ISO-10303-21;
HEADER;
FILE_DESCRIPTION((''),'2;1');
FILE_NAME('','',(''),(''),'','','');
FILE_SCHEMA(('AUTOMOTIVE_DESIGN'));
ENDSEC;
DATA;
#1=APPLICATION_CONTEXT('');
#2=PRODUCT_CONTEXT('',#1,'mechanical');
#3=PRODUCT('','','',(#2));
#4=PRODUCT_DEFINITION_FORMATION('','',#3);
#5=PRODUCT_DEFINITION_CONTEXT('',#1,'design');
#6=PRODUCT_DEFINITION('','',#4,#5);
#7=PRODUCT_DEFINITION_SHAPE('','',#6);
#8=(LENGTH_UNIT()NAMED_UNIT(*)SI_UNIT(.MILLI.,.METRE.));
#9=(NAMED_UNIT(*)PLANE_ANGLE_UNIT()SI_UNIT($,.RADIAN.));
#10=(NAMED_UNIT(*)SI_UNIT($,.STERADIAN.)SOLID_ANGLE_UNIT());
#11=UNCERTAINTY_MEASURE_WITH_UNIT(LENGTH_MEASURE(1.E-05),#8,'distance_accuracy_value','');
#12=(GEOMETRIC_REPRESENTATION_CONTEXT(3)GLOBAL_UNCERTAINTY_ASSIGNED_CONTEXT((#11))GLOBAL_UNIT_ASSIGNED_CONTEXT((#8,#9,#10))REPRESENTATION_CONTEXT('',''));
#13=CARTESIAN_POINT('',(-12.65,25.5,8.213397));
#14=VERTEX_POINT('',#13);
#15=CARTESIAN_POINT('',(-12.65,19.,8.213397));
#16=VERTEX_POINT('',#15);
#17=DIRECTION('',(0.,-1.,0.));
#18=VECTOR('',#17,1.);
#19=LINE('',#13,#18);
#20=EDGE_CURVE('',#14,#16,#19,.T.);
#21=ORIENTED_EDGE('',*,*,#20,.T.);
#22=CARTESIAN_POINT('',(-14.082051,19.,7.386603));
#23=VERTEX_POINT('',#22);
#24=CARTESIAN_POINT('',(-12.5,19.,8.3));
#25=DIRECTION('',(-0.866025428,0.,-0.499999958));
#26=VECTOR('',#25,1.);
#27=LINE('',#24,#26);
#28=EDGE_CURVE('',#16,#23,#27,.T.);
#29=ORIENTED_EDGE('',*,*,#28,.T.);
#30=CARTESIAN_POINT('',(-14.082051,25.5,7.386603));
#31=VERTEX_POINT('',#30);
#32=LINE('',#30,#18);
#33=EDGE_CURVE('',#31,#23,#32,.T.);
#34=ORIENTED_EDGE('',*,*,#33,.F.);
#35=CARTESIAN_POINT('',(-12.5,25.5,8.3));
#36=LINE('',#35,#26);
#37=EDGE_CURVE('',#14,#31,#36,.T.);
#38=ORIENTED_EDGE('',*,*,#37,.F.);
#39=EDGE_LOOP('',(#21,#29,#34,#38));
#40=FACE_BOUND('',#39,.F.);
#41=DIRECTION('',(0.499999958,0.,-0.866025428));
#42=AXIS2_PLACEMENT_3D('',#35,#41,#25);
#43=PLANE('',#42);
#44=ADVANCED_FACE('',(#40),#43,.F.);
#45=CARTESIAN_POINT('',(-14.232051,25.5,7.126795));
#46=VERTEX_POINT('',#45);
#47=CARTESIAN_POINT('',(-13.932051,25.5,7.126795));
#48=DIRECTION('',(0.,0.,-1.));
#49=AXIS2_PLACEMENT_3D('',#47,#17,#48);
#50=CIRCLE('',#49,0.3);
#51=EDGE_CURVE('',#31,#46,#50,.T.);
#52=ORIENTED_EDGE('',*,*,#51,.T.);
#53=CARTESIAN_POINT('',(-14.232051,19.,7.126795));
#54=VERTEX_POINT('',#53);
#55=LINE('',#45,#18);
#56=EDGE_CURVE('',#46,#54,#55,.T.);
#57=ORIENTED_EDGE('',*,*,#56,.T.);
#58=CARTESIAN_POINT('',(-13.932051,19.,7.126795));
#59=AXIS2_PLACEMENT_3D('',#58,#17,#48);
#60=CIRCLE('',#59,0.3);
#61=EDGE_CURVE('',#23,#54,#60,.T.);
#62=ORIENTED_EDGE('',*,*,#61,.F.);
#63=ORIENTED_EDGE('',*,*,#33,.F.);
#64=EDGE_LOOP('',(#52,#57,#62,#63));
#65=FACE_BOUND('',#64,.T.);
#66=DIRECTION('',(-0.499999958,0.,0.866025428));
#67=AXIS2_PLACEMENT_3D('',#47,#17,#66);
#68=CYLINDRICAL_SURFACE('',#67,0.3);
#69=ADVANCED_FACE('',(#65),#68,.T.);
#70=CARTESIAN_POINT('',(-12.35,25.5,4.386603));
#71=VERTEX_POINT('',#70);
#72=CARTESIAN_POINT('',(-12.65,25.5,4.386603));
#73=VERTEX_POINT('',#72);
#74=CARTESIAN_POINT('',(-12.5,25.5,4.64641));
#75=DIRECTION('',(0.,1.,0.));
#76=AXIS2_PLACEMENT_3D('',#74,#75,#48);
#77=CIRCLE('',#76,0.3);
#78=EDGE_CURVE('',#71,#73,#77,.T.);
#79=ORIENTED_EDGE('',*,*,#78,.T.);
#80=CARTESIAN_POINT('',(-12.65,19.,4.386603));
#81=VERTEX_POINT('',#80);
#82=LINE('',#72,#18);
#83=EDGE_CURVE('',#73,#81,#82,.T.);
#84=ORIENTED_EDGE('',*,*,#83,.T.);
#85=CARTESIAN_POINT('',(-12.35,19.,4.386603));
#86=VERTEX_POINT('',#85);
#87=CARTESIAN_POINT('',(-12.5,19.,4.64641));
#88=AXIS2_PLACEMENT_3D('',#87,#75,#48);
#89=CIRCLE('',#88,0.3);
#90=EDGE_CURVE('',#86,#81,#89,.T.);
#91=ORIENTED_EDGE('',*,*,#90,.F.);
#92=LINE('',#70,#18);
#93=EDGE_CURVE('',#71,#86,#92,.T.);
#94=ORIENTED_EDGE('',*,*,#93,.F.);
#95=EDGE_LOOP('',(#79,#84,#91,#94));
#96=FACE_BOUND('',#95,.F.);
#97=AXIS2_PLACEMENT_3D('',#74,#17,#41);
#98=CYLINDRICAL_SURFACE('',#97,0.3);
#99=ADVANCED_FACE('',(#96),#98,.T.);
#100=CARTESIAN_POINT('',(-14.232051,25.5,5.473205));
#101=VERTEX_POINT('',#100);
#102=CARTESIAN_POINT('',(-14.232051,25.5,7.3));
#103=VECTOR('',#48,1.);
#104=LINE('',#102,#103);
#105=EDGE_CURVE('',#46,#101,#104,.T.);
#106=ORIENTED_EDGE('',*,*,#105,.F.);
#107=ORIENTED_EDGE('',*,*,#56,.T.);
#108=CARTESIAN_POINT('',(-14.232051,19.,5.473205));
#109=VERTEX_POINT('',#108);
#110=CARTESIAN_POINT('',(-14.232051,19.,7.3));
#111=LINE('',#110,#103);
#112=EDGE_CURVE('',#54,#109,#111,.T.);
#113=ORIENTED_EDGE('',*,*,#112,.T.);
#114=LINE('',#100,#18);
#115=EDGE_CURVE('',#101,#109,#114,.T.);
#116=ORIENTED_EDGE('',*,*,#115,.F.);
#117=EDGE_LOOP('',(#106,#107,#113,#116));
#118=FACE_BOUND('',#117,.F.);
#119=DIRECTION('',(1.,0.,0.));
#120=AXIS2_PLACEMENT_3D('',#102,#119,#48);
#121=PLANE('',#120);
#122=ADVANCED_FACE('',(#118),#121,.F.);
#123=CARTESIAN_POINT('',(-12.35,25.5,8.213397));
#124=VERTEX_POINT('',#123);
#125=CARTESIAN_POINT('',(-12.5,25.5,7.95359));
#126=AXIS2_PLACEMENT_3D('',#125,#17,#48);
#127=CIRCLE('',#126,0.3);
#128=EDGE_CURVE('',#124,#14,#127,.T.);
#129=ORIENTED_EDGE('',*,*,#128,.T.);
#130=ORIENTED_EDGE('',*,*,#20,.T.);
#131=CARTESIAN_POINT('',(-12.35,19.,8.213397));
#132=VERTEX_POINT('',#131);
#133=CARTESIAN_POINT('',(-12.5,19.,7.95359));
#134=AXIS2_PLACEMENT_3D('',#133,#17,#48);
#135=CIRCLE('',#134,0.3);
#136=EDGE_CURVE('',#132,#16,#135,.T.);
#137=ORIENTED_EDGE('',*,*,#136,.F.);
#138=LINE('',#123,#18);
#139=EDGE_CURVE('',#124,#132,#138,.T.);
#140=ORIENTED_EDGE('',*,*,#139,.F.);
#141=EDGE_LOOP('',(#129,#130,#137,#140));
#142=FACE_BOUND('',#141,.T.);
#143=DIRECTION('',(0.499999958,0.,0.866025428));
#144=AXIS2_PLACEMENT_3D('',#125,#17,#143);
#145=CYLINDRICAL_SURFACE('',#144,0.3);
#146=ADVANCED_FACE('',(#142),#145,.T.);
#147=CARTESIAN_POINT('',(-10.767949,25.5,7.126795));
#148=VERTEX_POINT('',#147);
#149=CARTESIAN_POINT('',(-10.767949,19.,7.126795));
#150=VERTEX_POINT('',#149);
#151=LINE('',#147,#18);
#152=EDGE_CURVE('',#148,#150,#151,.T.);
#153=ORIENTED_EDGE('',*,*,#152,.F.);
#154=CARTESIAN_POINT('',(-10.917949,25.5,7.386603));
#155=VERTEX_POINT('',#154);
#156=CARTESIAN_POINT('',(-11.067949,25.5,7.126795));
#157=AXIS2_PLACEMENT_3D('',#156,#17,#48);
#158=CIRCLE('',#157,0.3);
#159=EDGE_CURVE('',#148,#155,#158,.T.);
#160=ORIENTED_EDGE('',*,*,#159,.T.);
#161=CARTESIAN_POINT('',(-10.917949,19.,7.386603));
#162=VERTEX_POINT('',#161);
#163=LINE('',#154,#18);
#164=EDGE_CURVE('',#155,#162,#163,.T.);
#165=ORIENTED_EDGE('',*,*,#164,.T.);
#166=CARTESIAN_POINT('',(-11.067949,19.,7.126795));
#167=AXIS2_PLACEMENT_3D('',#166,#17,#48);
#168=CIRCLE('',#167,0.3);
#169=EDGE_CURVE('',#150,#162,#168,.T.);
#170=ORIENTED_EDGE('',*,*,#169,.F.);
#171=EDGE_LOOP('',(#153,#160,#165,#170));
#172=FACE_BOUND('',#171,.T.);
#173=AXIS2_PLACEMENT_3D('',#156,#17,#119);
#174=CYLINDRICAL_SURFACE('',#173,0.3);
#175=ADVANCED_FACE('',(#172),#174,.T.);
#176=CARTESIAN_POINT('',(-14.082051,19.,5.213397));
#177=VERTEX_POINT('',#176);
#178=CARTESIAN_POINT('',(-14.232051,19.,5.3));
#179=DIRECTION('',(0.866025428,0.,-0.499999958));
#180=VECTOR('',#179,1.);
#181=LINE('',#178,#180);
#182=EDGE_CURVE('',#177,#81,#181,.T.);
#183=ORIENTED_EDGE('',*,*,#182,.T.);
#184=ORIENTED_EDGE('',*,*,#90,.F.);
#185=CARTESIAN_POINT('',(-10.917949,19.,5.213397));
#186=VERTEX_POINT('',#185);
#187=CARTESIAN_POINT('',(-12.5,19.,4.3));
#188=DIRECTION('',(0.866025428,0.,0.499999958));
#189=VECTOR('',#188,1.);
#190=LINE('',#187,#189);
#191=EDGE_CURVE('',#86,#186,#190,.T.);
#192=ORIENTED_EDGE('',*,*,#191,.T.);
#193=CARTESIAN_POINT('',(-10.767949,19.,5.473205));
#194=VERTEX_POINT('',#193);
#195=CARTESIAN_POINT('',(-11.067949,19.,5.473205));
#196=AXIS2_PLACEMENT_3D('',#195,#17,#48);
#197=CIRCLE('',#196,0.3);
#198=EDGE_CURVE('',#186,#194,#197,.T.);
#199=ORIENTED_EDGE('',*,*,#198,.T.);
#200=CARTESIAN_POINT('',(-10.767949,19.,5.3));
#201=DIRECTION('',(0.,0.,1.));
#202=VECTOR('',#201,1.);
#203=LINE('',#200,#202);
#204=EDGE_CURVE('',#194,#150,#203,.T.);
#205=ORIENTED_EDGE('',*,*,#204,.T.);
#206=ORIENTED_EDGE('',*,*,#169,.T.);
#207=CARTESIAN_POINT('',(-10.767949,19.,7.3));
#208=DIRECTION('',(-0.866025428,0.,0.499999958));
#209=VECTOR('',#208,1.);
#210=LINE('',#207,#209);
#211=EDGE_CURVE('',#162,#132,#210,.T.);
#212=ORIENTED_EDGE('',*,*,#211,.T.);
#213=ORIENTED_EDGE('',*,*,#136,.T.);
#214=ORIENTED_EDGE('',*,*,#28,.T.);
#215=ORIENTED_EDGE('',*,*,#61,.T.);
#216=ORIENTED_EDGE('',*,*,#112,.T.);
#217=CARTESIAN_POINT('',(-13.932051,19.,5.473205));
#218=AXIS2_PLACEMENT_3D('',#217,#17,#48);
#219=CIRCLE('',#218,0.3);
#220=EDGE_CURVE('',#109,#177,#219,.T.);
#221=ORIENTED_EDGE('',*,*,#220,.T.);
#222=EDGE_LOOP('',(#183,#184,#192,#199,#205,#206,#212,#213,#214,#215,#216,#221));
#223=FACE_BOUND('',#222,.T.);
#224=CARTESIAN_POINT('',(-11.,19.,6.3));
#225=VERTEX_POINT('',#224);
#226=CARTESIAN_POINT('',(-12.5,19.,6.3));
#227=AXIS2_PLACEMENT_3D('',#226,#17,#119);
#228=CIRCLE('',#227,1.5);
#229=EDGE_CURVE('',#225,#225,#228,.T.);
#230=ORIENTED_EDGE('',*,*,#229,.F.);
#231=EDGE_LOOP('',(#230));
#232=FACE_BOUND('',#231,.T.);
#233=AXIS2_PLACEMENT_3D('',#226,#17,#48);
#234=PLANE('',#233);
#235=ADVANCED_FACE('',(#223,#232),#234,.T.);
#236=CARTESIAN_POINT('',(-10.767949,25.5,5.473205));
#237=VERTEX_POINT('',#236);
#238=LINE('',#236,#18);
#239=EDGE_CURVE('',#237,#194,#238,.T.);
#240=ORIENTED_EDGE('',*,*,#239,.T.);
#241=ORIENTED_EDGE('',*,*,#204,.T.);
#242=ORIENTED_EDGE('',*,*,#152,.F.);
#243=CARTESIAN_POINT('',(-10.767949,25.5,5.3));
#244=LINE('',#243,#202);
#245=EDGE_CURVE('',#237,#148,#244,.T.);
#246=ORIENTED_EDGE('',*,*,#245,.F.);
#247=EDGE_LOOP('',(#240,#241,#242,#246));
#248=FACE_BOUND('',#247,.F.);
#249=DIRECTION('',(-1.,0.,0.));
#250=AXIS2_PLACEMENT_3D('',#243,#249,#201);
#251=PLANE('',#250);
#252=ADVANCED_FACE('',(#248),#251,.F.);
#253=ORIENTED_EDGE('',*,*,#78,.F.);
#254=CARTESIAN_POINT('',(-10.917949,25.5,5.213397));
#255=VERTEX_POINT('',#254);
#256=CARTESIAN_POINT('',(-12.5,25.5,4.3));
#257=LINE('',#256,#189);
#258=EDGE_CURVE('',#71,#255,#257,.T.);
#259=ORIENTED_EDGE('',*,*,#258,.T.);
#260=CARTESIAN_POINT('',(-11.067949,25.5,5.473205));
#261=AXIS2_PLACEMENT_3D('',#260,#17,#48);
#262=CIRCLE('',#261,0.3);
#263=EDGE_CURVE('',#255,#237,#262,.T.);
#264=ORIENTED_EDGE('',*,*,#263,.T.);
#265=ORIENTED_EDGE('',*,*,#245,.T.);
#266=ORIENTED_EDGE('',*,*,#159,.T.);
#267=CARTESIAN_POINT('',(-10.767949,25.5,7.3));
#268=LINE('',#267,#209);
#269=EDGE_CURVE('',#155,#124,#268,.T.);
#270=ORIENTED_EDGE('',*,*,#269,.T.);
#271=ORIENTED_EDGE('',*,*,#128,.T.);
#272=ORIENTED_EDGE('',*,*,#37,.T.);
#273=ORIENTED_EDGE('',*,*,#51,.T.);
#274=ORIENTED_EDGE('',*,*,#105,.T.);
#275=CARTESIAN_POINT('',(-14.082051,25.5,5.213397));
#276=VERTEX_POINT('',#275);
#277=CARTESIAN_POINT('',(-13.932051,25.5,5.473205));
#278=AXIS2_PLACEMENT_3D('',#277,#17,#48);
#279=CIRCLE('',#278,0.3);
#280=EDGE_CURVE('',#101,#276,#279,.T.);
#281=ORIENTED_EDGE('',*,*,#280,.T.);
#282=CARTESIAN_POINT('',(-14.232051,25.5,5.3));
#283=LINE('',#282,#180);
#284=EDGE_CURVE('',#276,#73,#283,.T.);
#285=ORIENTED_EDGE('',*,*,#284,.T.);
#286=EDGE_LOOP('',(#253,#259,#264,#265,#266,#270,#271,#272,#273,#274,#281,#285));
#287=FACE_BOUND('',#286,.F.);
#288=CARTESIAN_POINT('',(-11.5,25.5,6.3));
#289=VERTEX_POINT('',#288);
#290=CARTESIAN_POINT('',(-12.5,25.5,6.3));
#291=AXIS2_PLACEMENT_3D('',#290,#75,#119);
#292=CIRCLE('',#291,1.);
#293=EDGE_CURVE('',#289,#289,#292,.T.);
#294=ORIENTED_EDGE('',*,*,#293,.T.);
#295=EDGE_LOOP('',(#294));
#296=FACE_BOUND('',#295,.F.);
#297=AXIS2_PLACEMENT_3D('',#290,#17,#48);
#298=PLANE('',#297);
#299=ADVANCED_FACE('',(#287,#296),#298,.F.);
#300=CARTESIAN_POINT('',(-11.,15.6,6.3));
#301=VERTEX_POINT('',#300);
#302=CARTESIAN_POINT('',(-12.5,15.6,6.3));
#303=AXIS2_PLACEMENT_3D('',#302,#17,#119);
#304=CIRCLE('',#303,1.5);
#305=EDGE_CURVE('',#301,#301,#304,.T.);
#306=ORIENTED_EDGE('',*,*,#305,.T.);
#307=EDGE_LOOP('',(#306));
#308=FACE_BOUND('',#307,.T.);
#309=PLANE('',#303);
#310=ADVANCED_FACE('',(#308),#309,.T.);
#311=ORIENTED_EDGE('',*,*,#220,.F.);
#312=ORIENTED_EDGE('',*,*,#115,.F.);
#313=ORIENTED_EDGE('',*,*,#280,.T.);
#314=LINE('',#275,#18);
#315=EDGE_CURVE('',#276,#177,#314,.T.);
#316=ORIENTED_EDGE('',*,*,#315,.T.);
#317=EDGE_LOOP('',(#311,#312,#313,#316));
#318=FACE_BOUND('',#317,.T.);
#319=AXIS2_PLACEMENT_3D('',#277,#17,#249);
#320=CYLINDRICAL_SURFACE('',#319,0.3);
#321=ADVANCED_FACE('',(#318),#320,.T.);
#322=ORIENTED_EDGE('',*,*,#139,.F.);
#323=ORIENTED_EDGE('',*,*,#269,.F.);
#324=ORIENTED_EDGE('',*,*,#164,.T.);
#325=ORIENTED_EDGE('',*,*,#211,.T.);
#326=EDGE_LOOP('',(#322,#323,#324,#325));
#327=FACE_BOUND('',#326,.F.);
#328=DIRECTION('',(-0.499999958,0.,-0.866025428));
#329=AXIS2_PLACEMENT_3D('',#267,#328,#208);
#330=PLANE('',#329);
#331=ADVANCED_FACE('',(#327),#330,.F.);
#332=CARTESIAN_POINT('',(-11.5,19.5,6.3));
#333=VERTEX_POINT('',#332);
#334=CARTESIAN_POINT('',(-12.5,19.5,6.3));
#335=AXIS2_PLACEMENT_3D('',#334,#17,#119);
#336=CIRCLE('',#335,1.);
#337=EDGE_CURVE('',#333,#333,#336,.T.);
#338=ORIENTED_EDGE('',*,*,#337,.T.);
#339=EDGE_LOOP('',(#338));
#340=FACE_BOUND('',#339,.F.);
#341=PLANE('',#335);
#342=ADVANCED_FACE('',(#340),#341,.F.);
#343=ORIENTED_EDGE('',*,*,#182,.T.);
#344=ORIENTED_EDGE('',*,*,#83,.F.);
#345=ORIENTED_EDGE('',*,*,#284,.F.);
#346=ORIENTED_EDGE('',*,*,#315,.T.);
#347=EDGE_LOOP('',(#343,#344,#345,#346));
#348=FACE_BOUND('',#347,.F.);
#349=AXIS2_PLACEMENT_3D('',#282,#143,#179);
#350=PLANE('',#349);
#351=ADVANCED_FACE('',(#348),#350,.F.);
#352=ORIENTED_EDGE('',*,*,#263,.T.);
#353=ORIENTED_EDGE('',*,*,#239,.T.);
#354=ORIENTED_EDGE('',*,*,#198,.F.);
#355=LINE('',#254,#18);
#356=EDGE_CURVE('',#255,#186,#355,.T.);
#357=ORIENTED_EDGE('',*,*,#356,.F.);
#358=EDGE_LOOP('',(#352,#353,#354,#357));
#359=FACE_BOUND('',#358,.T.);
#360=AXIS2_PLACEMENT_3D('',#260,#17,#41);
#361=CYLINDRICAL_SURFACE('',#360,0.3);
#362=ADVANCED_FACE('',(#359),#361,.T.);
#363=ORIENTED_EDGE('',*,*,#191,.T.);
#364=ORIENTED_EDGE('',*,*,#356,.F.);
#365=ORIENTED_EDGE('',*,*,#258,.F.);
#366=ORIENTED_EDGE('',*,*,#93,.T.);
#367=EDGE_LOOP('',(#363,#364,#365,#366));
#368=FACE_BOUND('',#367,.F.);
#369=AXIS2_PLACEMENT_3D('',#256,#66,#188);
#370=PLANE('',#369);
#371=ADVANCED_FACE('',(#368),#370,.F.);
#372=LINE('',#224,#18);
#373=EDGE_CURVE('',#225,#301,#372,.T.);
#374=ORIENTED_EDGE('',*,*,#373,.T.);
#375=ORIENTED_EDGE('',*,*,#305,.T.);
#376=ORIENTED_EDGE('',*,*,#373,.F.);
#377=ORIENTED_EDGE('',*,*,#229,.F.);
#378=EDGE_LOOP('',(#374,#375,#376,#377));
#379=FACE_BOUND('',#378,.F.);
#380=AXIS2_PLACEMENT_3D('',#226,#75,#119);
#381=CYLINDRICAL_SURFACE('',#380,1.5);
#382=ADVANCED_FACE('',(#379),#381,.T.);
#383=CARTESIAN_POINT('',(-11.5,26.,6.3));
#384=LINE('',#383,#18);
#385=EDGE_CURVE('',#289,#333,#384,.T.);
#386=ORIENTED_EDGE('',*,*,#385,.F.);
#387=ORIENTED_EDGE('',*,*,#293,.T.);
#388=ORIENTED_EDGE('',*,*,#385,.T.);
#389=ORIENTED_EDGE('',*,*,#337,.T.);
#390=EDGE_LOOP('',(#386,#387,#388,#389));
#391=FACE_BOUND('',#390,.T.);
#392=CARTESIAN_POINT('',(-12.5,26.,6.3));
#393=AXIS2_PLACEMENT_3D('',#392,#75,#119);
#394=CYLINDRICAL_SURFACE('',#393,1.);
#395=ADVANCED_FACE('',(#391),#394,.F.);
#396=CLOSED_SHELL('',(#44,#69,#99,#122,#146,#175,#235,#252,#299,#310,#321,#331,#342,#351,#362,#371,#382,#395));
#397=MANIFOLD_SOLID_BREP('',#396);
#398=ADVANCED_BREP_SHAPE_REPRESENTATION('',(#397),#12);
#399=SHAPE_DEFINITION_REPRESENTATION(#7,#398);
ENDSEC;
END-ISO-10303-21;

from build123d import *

# Parameters (mm, degrees)
PRISM001_DEPTH    = 6.5
FILLET018_R       = 0.3
CYLINDER012_R     = 1.5
CYLINDER012_DEPTH = 3.4
CYLINDER013_R     = 1
CYLINDER013_DEPTH = 6.5


with BuildPart() as part:
    # Prism001 → Prism001 (join)
    with BuildSketch(Plane(origin=(12.5, 25.5, 6.3), x_dir=(0, 0, -1), z_dir=(0, -1, 0))):
        Polygon((2, 0), (1, 1.732051), (-1, 1.732051), (-2, 0), (-1, -1.732051), (1, -1.732051), align=None)
    extrude(amount=PRISM001_DEPTH)

    # Fillet018
    fillet018_edges = [part.edges().sort_by_distance(p)[0] for p in [
        (12.5, 22.25, 8.3),
        (14.232051, 22.25, 7.3),
        (10.767949, 22.25, 7.3),
        (14.232051, 22.25, 5.3),
        (12.5, 22.25, 4.3),
        (10.767949, 22.25, 5.3),
    ]]
    fillet(fillet018_edges, radius=FILLET018_R)

    # Cylinder012 → Cylinder012 (join)
    with BuildSketch(Plane(origin=(12.5, 19, 6.3), x_dir=(1, 0, 0), z_dir=(0, -1, 0))):
        Circle(CYLINDER012_R)
    extrude(amount=CYLINDER012_DEPTH)

    # Cylinder013 → Cylinder013 (cut)
    with BuildSketch(Plane(origin=(12.5, 26, 6.3), x_dir=(1, 0, 0), z_dir=(0, -1, 0))):
        Circle(CYLINDER013_R)
    extrude(amount=CYLINDER013_DEPTH, mode=Mode.SUBTRACT)


with BuildPart() as part_1:
    # Body007 placement: moved
    add(part.part.moved(Location((-25, 0, 0))))


solid = part_1.part
